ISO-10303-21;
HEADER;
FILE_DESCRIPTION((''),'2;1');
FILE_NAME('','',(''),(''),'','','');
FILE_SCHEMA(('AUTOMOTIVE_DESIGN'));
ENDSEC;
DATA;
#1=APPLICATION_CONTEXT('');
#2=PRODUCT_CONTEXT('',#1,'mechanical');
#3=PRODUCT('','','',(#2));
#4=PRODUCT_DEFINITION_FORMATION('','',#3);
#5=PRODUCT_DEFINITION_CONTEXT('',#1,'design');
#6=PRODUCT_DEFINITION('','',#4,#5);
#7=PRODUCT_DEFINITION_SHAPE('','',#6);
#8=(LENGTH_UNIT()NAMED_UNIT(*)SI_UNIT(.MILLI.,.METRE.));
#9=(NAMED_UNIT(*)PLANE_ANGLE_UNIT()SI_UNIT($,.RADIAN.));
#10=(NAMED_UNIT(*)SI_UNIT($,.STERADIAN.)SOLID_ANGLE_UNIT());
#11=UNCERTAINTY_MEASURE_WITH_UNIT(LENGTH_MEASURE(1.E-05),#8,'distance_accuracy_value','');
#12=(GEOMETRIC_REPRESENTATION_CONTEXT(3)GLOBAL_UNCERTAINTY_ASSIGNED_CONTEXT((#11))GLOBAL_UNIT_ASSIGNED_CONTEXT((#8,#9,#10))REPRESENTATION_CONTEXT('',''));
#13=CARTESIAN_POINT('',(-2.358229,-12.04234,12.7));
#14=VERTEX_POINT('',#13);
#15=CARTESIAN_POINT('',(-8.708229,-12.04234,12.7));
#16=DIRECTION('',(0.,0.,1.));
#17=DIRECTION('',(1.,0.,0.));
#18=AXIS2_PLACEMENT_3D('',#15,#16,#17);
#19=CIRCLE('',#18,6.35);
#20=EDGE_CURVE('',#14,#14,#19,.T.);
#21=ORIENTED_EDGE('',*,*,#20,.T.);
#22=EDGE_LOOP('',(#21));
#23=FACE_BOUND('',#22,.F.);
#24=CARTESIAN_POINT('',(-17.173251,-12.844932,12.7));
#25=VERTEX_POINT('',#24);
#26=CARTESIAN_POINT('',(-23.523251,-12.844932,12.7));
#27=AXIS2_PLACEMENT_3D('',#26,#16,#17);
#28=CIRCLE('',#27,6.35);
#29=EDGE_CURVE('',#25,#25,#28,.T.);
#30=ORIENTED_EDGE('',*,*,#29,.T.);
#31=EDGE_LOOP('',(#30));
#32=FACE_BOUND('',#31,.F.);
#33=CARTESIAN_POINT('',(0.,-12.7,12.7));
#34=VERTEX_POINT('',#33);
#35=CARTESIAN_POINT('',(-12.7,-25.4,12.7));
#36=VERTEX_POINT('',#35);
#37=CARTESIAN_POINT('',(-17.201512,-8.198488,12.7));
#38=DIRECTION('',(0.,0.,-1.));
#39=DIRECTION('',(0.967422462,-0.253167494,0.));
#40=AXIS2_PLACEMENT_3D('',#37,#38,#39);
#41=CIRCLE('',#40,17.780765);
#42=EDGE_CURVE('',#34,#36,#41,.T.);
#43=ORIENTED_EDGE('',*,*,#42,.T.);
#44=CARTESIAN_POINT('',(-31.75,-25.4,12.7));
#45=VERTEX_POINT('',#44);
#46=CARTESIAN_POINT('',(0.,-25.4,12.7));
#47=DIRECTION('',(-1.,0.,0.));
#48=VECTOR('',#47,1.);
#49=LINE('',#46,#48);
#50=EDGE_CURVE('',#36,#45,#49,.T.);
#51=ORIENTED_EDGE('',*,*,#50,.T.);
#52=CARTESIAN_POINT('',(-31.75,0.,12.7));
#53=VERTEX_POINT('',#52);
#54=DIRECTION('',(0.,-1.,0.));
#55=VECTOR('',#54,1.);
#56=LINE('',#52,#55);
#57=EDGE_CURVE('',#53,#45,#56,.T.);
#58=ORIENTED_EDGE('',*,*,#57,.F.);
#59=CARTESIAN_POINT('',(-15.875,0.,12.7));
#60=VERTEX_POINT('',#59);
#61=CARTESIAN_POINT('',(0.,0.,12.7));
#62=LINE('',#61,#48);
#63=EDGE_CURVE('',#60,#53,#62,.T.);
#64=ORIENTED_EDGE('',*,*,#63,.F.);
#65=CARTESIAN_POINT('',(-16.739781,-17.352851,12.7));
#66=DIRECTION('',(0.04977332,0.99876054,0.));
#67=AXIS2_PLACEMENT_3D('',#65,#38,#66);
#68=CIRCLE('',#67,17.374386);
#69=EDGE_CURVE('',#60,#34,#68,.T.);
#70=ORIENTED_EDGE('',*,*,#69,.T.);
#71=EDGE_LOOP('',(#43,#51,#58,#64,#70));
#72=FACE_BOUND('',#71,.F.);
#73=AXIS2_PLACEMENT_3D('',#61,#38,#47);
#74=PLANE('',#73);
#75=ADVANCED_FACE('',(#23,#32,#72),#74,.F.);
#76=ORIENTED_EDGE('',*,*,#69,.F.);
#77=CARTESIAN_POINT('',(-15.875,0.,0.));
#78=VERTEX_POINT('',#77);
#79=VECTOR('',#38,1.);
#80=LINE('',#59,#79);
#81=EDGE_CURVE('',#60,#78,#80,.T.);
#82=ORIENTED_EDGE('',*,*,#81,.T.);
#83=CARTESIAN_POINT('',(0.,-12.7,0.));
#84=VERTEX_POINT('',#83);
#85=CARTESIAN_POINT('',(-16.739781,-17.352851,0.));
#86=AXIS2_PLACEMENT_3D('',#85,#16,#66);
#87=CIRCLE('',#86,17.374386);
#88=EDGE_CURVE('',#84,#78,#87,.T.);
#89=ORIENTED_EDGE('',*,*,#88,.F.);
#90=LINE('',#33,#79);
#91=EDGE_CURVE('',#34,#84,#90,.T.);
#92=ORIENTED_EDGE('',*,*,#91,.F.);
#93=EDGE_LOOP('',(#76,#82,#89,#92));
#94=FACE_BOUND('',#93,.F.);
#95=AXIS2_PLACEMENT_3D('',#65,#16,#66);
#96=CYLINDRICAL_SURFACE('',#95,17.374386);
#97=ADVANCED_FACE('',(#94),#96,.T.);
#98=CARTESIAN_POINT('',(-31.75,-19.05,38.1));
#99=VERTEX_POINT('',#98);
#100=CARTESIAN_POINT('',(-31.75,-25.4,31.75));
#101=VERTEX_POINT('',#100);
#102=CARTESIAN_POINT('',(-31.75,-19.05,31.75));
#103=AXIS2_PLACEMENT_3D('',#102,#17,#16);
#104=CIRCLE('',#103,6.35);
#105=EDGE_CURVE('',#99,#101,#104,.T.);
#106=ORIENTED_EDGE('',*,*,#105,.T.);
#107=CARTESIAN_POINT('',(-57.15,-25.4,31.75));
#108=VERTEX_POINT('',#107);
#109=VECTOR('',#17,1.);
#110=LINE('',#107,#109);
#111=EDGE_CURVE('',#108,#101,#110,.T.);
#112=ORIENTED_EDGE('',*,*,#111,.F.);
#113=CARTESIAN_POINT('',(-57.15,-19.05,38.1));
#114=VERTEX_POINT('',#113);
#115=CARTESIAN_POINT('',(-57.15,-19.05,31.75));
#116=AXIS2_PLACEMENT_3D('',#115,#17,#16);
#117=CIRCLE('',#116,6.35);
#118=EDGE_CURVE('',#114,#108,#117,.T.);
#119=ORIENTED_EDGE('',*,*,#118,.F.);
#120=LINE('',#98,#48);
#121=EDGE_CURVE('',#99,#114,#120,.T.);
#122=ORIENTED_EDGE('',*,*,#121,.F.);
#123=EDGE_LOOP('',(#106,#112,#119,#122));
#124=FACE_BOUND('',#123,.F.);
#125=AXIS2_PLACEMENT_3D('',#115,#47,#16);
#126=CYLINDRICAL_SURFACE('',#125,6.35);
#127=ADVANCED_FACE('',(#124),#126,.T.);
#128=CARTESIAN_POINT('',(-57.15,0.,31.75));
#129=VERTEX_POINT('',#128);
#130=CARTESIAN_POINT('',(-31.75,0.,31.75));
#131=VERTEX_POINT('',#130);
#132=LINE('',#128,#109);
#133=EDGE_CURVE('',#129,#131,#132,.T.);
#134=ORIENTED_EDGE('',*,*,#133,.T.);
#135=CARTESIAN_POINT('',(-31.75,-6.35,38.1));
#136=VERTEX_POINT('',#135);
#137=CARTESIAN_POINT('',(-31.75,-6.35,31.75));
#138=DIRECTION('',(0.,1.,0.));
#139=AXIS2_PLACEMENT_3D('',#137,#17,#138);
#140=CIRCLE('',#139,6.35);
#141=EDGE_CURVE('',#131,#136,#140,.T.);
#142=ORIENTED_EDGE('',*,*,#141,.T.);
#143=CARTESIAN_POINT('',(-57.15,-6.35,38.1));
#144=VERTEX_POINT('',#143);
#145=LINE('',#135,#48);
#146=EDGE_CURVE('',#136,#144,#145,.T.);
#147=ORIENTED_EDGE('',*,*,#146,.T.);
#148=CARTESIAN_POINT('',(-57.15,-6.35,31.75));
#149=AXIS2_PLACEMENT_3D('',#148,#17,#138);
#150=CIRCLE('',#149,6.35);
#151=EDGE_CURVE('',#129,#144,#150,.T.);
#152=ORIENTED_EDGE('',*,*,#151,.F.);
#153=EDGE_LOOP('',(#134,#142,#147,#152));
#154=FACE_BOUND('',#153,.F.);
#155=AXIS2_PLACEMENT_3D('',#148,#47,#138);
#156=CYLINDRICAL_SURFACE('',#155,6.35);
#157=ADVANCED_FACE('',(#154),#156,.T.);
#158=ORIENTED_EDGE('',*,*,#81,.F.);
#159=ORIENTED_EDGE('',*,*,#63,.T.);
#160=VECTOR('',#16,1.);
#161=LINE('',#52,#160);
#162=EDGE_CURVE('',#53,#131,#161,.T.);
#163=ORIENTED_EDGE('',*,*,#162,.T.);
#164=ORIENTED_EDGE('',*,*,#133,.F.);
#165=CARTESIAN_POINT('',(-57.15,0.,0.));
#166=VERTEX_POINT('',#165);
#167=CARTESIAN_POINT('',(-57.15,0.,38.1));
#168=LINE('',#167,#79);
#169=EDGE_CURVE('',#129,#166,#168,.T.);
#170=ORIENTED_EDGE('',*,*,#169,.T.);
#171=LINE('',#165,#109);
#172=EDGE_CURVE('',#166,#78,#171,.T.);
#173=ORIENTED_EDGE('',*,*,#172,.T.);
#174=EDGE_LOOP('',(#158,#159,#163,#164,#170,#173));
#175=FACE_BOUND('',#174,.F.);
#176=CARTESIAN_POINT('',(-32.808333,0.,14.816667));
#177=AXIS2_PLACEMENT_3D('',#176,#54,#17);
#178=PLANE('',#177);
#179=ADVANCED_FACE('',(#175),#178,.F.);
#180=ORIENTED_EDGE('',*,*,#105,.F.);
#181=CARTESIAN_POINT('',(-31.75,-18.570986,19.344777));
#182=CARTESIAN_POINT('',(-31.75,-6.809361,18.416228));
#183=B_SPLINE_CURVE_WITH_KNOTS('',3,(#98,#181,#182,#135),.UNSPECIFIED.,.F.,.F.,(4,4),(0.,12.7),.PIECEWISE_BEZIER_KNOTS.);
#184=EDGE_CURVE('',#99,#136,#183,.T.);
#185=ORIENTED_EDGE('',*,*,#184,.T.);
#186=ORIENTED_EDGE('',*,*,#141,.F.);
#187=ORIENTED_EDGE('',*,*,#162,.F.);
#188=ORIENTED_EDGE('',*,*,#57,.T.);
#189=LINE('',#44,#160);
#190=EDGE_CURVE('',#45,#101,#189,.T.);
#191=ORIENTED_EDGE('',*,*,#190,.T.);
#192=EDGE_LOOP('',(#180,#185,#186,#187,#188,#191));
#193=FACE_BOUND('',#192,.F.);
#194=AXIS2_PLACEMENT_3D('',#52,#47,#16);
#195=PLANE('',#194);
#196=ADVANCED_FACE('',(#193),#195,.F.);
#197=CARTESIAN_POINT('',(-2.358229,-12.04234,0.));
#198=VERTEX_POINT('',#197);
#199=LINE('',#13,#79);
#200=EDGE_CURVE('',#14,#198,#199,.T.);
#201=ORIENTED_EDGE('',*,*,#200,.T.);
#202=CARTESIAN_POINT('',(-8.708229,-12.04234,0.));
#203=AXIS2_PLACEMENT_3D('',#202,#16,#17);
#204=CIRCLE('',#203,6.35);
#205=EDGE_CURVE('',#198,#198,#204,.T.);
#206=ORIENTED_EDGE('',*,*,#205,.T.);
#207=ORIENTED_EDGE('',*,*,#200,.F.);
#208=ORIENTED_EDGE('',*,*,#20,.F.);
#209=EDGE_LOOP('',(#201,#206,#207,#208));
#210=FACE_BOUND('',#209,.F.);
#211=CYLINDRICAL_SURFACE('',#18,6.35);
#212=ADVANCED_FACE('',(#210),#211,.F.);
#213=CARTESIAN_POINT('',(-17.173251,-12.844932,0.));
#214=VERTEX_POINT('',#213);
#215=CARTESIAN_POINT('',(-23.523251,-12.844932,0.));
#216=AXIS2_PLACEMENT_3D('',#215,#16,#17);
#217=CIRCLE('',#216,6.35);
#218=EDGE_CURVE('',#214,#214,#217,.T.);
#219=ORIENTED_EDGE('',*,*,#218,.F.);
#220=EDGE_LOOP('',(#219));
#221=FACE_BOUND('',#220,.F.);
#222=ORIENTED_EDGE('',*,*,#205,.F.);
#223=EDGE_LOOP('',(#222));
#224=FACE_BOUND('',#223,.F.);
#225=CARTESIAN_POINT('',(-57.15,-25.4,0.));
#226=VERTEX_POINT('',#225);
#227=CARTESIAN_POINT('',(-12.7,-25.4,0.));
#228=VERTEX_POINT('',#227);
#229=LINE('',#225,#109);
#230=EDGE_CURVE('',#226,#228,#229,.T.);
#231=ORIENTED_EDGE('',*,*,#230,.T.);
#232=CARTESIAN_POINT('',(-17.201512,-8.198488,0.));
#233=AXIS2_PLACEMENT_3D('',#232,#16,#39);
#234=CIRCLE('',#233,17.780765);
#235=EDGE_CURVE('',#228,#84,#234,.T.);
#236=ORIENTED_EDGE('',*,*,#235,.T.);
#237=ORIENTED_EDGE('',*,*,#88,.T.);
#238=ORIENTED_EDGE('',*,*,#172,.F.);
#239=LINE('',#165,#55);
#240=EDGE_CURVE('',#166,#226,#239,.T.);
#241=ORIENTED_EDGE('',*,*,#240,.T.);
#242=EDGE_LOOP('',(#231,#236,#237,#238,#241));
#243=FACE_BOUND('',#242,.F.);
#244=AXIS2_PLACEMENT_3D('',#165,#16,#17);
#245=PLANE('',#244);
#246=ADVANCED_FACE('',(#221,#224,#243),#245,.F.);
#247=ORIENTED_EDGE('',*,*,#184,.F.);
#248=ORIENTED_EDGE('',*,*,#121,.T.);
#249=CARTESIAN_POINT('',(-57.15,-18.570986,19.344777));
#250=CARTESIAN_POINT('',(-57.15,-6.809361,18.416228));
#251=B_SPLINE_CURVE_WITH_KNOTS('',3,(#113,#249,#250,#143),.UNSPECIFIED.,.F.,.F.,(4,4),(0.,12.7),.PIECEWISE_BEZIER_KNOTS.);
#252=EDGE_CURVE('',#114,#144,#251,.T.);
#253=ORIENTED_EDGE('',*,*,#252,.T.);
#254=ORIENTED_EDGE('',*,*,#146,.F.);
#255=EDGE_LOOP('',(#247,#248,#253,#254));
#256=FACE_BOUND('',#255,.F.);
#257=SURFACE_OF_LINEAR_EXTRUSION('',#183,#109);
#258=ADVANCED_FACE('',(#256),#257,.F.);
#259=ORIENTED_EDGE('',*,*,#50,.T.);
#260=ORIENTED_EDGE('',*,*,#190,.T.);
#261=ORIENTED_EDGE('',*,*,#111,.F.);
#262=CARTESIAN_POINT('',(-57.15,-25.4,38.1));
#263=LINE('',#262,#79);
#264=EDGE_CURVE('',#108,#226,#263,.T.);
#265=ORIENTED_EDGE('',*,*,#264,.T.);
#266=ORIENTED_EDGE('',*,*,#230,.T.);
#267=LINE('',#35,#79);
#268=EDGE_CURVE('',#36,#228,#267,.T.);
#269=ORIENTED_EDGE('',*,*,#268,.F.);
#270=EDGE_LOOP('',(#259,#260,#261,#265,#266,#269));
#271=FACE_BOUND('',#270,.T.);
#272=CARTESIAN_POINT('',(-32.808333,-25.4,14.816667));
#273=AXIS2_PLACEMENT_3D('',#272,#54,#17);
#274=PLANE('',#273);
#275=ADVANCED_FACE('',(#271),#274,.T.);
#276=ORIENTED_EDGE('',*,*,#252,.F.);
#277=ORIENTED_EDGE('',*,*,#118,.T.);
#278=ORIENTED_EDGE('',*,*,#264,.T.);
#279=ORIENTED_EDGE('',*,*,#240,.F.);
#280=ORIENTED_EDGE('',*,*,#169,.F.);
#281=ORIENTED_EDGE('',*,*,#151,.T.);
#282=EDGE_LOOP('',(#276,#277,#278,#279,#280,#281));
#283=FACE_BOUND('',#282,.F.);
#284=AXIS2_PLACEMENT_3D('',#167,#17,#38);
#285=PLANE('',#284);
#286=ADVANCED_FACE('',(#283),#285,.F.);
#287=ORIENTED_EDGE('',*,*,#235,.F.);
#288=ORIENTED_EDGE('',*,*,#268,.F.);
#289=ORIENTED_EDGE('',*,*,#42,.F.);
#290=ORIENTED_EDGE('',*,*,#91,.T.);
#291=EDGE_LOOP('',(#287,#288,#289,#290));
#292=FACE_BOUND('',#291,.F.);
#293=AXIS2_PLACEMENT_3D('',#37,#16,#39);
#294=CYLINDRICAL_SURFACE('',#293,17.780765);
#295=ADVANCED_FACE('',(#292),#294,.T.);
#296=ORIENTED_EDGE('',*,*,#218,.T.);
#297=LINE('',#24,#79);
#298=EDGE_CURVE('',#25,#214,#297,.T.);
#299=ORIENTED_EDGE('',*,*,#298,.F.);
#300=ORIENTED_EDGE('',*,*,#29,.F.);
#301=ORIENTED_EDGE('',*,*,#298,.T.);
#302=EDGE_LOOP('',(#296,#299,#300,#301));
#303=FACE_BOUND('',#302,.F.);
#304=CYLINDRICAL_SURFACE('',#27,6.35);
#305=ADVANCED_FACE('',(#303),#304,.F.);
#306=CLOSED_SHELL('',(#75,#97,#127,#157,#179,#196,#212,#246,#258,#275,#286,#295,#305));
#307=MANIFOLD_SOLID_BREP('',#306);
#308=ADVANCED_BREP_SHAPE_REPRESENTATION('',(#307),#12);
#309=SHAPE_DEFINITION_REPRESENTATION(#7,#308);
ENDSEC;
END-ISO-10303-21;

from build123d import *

# Parameters (mm, degrees)
F1_DEPTH = 25.4
F3_DEPTH = 25.4
F5_DEPTH = 25.4
F6_R     = 6.35
F7_DEPTH = 25.4
F9_DEPTH = 25.4


with BuildPart() as f1:
    # F0 (on Front) → F1 (new body)
    with BuildSketch(Plane.XZ):
        Polygon((-31.75, 38.1), (-57.15, 38.1), (-57.15, 0), (0, 0), (0, 12.7), (-31.75, 12.7), align=None)
    extrude(amount=F1_DEPTH)

    # F2 (on face) → F3 (cut)
    with BuildSketch(Plane.YZ.offset(-31.75)):
        with BuildLine():
            Line((-6.35, 38.1), (-19.05, 38.1))
            add(Edge.make_bspline(
                [(-19.05, 38.1), (-18.5709856451, 19.3447768688), (-6.809361279, 18.4162277728), (-6.35, 38.1)],
                knots=[0, 0, 0, 0, 12.7, 12.7, 12.7, 12.7], degree=3))
        make_face()
    extrude(amount=-F3_DEPTH, mode=Mode.SUBTRACT)

    # F4 (on face) → F5 (cut)
    with BuildSketch(Plane.XY.offset(12.7)):
        with BuildLine():
            Line((0, -25.4), (0, -12.7))
            ThreePointArc((0, -12.7), (-4.6286120427, -20.7713879573), (-12.7, -25.4))
            Line((-12.7, -25.4), (0, -25.4))
        make_face()
        with BuildLine():
            ThreePointArc((-15.875, 0), (-5.8860880189, -3.7857350236), (0, -12.7))
            Line((0, -12.7), (0, 0))
            Line((0, 0), (-15.875, 0))
        make_face()
    extrude(amount=-F5_DEPTH, mode=Mode.SUBTRACT)

    # F6 (on face) → F7 (cut)
    with BuildSketch(Plane.XY.offset(12.7)):
        with Locations((-23.5232505947, -12.8449322656)):
            Circle(F6_R)
        with Locations((-8.7082285261, -12.0423395505)):
            Circle(F6_R)
    extrude(amount=-F7_DEPTH, mode=Mode.SUBTRACT)

    # F8 (on face) → F9 (cut)
    with BuildSketch(Plane(origin=(-57.15, 0, 0), x_dir=(0, -1, 0), z_dir=(-1, 0, 0))):
        with BuildLine():
            Line((25.4, 38.1), (19.05, 38.1))
            ThreePointArc((19.05, 38.1), (23.5401280605, 36.2401280605), (25.4, 31.75))
            Line((25.4, 31.75), (25.4, 38.1))
        make_face()
        with BuildLine():
            ThreePointArc((0, 31.75), (1.8598719395, 36.2401280605), (6.35, 38.1))
            Line((6.35, 38.1), (0, 38.1))
            Line((0, 38.1), (0, 31.75))
        make_face()
    extrude(amount=-F9_DEPTH, mode=Mode.SUBTRACT)


solid = f1.part
